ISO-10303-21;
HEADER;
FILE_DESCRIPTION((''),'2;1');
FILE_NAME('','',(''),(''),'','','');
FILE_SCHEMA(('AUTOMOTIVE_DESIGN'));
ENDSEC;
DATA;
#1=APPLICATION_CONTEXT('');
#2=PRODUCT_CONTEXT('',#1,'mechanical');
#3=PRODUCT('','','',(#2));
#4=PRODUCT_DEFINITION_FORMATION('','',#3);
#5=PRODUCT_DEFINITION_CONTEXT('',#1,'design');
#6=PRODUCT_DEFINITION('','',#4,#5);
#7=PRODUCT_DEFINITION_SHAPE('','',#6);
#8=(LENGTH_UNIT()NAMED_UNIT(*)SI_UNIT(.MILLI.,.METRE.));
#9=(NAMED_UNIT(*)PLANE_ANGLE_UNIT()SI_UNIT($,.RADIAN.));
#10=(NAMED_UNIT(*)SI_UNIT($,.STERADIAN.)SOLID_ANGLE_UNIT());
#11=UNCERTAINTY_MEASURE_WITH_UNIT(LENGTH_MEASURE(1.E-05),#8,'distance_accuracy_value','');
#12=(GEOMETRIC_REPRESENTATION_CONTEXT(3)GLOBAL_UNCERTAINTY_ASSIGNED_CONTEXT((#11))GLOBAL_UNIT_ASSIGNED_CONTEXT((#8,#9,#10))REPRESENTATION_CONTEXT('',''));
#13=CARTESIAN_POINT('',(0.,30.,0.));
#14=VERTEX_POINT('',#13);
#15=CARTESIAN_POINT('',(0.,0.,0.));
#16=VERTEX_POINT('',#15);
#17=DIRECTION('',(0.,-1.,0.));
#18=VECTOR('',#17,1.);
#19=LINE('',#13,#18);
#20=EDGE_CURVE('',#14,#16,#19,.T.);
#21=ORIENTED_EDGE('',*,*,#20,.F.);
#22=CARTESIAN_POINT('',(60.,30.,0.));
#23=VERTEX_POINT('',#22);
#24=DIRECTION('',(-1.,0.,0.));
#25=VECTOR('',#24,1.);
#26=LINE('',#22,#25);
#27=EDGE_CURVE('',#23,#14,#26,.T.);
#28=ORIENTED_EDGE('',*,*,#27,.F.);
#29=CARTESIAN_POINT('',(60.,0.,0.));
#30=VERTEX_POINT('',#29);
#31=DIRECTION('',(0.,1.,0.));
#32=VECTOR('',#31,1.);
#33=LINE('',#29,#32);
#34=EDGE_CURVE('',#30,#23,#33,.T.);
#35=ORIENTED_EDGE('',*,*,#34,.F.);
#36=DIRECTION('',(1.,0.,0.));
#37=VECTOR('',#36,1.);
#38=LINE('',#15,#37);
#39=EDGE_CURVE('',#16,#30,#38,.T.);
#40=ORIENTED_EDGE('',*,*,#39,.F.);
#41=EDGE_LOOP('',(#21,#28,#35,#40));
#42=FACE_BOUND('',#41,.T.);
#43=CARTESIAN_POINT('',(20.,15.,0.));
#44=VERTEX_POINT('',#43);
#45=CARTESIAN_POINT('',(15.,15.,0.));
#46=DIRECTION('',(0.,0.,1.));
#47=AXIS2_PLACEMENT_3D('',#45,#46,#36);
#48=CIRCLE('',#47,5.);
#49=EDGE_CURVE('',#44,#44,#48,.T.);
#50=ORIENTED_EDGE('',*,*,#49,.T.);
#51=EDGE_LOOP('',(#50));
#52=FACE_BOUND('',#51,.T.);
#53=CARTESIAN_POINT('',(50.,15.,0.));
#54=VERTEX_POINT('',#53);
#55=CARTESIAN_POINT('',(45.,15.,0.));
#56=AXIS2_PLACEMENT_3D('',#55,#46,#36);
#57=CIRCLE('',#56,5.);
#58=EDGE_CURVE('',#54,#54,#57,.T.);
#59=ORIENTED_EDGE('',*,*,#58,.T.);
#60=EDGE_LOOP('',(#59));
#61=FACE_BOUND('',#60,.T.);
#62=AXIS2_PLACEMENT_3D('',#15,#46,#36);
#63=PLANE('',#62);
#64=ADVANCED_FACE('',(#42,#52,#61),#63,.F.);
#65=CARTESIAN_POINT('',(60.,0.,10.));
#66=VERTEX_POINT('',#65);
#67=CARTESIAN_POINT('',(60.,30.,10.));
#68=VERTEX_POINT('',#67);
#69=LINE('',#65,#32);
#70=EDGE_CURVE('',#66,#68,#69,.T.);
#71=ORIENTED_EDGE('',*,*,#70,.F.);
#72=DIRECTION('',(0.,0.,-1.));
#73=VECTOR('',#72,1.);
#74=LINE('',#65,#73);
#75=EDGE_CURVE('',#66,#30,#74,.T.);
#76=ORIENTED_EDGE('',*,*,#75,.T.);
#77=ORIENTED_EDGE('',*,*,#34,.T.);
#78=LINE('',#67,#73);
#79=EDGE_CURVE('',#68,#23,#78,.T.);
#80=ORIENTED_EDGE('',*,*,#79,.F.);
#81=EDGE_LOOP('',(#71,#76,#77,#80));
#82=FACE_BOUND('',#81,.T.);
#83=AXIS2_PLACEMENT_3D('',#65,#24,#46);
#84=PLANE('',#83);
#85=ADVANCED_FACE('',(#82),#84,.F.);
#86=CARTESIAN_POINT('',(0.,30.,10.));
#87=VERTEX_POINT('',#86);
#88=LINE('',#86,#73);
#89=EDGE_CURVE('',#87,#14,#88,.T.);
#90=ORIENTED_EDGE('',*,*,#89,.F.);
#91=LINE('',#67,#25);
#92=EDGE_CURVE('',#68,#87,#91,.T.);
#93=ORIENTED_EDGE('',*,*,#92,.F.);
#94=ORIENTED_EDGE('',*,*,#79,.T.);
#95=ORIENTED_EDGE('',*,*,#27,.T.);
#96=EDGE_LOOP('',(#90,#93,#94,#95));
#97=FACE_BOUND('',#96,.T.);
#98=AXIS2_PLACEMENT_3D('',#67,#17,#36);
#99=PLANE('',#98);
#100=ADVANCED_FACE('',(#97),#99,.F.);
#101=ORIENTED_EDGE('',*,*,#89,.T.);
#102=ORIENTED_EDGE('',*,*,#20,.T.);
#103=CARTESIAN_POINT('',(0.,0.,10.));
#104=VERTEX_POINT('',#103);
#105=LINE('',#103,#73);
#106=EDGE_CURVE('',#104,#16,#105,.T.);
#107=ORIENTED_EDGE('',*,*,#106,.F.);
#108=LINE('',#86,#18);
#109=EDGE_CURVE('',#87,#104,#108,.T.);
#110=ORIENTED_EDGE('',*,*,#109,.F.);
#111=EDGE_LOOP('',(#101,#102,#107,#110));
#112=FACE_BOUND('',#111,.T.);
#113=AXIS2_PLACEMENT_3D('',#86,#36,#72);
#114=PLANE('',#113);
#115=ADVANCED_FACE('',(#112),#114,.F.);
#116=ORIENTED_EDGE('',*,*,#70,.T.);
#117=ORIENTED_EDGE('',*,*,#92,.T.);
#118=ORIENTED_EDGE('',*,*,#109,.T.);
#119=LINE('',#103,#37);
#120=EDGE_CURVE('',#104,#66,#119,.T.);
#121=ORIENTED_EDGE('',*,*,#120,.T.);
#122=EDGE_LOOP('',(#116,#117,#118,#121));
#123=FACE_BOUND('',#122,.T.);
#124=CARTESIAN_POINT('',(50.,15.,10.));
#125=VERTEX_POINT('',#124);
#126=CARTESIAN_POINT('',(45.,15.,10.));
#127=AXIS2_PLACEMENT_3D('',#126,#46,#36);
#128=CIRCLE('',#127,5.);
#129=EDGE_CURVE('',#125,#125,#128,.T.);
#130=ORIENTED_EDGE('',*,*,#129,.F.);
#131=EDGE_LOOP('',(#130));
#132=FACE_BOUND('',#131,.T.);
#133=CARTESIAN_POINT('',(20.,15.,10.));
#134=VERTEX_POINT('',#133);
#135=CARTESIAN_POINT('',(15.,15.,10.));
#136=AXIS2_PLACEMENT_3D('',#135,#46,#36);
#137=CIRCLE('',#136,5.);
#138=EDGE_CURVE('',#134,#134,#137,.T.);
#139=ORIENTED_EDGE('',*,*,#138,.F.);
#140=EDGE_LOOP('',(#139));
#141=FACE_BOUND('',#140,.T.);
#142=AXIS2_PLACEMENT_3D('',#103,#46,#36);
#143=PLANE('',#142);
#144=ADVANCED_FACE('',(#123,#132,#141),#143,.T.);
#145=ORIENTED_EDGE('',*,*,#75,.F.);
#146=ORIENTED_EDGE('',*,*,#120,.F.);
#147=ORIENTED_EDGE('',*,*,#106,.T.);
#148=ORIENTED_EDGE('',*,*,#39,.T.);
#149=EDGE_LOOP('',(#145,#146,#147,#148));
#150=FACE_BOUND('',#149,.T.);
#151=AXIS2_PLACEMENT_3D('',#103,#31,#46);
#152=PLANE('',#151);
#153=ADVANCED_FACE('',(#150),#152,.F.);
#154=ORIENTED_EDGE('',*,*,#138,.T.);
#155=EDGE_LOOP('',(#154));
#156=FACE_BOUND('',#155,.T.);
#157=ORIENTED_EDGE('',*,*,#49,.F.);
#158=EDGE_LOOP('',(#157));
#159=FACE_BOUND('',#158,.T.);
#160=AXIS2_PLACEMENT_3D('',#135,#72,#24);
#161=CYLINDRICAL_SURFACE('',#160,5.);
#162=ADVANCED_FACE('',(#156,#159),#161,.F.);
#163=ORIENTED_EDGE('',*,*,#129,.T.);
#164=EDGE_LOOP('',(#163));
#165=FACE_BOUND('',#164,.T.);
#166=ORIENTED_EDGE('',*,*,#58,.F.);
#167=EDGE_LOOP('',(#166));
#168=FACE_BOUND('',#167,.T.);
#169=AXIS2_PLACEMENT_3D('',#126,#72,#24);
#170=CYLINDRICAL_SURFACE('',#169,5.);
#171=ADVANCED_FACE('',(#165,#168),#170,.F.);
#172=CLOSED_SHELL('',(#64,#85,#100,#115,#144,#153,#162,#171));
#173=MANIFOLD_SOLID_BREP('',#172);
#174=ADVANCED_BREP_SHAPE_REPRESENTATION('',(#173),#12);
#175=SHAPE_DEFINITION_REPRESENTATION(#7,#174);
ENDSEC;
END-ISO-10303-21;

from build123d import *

# Parameters (mm, degrees)
SKETCH1_W           = 60
SKETCH1_H           = 30
SKETCH1_R           = 5
BOSS_EXTRUDE1_DEPTH = 10


with BuildPart() as part:
    # Sketch1 → Boss-Extrude1 (new body)
    with BuildSketch(Plane.XY):
        with Locations((30, 15)):
            Rectangle(SKETCH1_W, SKETCH1_H)
        with Locations((15, 15)):
            Circle(SKETCH1_R, mode=Mode.SUBTRACT)
        with Locations((45, 15)):
            Circle(SKETCH1_R, mode=Mode.SUBTRACT)
    extrude(amount=BOSS_EXTRUDE1_DEPTH)


solid = part.part
